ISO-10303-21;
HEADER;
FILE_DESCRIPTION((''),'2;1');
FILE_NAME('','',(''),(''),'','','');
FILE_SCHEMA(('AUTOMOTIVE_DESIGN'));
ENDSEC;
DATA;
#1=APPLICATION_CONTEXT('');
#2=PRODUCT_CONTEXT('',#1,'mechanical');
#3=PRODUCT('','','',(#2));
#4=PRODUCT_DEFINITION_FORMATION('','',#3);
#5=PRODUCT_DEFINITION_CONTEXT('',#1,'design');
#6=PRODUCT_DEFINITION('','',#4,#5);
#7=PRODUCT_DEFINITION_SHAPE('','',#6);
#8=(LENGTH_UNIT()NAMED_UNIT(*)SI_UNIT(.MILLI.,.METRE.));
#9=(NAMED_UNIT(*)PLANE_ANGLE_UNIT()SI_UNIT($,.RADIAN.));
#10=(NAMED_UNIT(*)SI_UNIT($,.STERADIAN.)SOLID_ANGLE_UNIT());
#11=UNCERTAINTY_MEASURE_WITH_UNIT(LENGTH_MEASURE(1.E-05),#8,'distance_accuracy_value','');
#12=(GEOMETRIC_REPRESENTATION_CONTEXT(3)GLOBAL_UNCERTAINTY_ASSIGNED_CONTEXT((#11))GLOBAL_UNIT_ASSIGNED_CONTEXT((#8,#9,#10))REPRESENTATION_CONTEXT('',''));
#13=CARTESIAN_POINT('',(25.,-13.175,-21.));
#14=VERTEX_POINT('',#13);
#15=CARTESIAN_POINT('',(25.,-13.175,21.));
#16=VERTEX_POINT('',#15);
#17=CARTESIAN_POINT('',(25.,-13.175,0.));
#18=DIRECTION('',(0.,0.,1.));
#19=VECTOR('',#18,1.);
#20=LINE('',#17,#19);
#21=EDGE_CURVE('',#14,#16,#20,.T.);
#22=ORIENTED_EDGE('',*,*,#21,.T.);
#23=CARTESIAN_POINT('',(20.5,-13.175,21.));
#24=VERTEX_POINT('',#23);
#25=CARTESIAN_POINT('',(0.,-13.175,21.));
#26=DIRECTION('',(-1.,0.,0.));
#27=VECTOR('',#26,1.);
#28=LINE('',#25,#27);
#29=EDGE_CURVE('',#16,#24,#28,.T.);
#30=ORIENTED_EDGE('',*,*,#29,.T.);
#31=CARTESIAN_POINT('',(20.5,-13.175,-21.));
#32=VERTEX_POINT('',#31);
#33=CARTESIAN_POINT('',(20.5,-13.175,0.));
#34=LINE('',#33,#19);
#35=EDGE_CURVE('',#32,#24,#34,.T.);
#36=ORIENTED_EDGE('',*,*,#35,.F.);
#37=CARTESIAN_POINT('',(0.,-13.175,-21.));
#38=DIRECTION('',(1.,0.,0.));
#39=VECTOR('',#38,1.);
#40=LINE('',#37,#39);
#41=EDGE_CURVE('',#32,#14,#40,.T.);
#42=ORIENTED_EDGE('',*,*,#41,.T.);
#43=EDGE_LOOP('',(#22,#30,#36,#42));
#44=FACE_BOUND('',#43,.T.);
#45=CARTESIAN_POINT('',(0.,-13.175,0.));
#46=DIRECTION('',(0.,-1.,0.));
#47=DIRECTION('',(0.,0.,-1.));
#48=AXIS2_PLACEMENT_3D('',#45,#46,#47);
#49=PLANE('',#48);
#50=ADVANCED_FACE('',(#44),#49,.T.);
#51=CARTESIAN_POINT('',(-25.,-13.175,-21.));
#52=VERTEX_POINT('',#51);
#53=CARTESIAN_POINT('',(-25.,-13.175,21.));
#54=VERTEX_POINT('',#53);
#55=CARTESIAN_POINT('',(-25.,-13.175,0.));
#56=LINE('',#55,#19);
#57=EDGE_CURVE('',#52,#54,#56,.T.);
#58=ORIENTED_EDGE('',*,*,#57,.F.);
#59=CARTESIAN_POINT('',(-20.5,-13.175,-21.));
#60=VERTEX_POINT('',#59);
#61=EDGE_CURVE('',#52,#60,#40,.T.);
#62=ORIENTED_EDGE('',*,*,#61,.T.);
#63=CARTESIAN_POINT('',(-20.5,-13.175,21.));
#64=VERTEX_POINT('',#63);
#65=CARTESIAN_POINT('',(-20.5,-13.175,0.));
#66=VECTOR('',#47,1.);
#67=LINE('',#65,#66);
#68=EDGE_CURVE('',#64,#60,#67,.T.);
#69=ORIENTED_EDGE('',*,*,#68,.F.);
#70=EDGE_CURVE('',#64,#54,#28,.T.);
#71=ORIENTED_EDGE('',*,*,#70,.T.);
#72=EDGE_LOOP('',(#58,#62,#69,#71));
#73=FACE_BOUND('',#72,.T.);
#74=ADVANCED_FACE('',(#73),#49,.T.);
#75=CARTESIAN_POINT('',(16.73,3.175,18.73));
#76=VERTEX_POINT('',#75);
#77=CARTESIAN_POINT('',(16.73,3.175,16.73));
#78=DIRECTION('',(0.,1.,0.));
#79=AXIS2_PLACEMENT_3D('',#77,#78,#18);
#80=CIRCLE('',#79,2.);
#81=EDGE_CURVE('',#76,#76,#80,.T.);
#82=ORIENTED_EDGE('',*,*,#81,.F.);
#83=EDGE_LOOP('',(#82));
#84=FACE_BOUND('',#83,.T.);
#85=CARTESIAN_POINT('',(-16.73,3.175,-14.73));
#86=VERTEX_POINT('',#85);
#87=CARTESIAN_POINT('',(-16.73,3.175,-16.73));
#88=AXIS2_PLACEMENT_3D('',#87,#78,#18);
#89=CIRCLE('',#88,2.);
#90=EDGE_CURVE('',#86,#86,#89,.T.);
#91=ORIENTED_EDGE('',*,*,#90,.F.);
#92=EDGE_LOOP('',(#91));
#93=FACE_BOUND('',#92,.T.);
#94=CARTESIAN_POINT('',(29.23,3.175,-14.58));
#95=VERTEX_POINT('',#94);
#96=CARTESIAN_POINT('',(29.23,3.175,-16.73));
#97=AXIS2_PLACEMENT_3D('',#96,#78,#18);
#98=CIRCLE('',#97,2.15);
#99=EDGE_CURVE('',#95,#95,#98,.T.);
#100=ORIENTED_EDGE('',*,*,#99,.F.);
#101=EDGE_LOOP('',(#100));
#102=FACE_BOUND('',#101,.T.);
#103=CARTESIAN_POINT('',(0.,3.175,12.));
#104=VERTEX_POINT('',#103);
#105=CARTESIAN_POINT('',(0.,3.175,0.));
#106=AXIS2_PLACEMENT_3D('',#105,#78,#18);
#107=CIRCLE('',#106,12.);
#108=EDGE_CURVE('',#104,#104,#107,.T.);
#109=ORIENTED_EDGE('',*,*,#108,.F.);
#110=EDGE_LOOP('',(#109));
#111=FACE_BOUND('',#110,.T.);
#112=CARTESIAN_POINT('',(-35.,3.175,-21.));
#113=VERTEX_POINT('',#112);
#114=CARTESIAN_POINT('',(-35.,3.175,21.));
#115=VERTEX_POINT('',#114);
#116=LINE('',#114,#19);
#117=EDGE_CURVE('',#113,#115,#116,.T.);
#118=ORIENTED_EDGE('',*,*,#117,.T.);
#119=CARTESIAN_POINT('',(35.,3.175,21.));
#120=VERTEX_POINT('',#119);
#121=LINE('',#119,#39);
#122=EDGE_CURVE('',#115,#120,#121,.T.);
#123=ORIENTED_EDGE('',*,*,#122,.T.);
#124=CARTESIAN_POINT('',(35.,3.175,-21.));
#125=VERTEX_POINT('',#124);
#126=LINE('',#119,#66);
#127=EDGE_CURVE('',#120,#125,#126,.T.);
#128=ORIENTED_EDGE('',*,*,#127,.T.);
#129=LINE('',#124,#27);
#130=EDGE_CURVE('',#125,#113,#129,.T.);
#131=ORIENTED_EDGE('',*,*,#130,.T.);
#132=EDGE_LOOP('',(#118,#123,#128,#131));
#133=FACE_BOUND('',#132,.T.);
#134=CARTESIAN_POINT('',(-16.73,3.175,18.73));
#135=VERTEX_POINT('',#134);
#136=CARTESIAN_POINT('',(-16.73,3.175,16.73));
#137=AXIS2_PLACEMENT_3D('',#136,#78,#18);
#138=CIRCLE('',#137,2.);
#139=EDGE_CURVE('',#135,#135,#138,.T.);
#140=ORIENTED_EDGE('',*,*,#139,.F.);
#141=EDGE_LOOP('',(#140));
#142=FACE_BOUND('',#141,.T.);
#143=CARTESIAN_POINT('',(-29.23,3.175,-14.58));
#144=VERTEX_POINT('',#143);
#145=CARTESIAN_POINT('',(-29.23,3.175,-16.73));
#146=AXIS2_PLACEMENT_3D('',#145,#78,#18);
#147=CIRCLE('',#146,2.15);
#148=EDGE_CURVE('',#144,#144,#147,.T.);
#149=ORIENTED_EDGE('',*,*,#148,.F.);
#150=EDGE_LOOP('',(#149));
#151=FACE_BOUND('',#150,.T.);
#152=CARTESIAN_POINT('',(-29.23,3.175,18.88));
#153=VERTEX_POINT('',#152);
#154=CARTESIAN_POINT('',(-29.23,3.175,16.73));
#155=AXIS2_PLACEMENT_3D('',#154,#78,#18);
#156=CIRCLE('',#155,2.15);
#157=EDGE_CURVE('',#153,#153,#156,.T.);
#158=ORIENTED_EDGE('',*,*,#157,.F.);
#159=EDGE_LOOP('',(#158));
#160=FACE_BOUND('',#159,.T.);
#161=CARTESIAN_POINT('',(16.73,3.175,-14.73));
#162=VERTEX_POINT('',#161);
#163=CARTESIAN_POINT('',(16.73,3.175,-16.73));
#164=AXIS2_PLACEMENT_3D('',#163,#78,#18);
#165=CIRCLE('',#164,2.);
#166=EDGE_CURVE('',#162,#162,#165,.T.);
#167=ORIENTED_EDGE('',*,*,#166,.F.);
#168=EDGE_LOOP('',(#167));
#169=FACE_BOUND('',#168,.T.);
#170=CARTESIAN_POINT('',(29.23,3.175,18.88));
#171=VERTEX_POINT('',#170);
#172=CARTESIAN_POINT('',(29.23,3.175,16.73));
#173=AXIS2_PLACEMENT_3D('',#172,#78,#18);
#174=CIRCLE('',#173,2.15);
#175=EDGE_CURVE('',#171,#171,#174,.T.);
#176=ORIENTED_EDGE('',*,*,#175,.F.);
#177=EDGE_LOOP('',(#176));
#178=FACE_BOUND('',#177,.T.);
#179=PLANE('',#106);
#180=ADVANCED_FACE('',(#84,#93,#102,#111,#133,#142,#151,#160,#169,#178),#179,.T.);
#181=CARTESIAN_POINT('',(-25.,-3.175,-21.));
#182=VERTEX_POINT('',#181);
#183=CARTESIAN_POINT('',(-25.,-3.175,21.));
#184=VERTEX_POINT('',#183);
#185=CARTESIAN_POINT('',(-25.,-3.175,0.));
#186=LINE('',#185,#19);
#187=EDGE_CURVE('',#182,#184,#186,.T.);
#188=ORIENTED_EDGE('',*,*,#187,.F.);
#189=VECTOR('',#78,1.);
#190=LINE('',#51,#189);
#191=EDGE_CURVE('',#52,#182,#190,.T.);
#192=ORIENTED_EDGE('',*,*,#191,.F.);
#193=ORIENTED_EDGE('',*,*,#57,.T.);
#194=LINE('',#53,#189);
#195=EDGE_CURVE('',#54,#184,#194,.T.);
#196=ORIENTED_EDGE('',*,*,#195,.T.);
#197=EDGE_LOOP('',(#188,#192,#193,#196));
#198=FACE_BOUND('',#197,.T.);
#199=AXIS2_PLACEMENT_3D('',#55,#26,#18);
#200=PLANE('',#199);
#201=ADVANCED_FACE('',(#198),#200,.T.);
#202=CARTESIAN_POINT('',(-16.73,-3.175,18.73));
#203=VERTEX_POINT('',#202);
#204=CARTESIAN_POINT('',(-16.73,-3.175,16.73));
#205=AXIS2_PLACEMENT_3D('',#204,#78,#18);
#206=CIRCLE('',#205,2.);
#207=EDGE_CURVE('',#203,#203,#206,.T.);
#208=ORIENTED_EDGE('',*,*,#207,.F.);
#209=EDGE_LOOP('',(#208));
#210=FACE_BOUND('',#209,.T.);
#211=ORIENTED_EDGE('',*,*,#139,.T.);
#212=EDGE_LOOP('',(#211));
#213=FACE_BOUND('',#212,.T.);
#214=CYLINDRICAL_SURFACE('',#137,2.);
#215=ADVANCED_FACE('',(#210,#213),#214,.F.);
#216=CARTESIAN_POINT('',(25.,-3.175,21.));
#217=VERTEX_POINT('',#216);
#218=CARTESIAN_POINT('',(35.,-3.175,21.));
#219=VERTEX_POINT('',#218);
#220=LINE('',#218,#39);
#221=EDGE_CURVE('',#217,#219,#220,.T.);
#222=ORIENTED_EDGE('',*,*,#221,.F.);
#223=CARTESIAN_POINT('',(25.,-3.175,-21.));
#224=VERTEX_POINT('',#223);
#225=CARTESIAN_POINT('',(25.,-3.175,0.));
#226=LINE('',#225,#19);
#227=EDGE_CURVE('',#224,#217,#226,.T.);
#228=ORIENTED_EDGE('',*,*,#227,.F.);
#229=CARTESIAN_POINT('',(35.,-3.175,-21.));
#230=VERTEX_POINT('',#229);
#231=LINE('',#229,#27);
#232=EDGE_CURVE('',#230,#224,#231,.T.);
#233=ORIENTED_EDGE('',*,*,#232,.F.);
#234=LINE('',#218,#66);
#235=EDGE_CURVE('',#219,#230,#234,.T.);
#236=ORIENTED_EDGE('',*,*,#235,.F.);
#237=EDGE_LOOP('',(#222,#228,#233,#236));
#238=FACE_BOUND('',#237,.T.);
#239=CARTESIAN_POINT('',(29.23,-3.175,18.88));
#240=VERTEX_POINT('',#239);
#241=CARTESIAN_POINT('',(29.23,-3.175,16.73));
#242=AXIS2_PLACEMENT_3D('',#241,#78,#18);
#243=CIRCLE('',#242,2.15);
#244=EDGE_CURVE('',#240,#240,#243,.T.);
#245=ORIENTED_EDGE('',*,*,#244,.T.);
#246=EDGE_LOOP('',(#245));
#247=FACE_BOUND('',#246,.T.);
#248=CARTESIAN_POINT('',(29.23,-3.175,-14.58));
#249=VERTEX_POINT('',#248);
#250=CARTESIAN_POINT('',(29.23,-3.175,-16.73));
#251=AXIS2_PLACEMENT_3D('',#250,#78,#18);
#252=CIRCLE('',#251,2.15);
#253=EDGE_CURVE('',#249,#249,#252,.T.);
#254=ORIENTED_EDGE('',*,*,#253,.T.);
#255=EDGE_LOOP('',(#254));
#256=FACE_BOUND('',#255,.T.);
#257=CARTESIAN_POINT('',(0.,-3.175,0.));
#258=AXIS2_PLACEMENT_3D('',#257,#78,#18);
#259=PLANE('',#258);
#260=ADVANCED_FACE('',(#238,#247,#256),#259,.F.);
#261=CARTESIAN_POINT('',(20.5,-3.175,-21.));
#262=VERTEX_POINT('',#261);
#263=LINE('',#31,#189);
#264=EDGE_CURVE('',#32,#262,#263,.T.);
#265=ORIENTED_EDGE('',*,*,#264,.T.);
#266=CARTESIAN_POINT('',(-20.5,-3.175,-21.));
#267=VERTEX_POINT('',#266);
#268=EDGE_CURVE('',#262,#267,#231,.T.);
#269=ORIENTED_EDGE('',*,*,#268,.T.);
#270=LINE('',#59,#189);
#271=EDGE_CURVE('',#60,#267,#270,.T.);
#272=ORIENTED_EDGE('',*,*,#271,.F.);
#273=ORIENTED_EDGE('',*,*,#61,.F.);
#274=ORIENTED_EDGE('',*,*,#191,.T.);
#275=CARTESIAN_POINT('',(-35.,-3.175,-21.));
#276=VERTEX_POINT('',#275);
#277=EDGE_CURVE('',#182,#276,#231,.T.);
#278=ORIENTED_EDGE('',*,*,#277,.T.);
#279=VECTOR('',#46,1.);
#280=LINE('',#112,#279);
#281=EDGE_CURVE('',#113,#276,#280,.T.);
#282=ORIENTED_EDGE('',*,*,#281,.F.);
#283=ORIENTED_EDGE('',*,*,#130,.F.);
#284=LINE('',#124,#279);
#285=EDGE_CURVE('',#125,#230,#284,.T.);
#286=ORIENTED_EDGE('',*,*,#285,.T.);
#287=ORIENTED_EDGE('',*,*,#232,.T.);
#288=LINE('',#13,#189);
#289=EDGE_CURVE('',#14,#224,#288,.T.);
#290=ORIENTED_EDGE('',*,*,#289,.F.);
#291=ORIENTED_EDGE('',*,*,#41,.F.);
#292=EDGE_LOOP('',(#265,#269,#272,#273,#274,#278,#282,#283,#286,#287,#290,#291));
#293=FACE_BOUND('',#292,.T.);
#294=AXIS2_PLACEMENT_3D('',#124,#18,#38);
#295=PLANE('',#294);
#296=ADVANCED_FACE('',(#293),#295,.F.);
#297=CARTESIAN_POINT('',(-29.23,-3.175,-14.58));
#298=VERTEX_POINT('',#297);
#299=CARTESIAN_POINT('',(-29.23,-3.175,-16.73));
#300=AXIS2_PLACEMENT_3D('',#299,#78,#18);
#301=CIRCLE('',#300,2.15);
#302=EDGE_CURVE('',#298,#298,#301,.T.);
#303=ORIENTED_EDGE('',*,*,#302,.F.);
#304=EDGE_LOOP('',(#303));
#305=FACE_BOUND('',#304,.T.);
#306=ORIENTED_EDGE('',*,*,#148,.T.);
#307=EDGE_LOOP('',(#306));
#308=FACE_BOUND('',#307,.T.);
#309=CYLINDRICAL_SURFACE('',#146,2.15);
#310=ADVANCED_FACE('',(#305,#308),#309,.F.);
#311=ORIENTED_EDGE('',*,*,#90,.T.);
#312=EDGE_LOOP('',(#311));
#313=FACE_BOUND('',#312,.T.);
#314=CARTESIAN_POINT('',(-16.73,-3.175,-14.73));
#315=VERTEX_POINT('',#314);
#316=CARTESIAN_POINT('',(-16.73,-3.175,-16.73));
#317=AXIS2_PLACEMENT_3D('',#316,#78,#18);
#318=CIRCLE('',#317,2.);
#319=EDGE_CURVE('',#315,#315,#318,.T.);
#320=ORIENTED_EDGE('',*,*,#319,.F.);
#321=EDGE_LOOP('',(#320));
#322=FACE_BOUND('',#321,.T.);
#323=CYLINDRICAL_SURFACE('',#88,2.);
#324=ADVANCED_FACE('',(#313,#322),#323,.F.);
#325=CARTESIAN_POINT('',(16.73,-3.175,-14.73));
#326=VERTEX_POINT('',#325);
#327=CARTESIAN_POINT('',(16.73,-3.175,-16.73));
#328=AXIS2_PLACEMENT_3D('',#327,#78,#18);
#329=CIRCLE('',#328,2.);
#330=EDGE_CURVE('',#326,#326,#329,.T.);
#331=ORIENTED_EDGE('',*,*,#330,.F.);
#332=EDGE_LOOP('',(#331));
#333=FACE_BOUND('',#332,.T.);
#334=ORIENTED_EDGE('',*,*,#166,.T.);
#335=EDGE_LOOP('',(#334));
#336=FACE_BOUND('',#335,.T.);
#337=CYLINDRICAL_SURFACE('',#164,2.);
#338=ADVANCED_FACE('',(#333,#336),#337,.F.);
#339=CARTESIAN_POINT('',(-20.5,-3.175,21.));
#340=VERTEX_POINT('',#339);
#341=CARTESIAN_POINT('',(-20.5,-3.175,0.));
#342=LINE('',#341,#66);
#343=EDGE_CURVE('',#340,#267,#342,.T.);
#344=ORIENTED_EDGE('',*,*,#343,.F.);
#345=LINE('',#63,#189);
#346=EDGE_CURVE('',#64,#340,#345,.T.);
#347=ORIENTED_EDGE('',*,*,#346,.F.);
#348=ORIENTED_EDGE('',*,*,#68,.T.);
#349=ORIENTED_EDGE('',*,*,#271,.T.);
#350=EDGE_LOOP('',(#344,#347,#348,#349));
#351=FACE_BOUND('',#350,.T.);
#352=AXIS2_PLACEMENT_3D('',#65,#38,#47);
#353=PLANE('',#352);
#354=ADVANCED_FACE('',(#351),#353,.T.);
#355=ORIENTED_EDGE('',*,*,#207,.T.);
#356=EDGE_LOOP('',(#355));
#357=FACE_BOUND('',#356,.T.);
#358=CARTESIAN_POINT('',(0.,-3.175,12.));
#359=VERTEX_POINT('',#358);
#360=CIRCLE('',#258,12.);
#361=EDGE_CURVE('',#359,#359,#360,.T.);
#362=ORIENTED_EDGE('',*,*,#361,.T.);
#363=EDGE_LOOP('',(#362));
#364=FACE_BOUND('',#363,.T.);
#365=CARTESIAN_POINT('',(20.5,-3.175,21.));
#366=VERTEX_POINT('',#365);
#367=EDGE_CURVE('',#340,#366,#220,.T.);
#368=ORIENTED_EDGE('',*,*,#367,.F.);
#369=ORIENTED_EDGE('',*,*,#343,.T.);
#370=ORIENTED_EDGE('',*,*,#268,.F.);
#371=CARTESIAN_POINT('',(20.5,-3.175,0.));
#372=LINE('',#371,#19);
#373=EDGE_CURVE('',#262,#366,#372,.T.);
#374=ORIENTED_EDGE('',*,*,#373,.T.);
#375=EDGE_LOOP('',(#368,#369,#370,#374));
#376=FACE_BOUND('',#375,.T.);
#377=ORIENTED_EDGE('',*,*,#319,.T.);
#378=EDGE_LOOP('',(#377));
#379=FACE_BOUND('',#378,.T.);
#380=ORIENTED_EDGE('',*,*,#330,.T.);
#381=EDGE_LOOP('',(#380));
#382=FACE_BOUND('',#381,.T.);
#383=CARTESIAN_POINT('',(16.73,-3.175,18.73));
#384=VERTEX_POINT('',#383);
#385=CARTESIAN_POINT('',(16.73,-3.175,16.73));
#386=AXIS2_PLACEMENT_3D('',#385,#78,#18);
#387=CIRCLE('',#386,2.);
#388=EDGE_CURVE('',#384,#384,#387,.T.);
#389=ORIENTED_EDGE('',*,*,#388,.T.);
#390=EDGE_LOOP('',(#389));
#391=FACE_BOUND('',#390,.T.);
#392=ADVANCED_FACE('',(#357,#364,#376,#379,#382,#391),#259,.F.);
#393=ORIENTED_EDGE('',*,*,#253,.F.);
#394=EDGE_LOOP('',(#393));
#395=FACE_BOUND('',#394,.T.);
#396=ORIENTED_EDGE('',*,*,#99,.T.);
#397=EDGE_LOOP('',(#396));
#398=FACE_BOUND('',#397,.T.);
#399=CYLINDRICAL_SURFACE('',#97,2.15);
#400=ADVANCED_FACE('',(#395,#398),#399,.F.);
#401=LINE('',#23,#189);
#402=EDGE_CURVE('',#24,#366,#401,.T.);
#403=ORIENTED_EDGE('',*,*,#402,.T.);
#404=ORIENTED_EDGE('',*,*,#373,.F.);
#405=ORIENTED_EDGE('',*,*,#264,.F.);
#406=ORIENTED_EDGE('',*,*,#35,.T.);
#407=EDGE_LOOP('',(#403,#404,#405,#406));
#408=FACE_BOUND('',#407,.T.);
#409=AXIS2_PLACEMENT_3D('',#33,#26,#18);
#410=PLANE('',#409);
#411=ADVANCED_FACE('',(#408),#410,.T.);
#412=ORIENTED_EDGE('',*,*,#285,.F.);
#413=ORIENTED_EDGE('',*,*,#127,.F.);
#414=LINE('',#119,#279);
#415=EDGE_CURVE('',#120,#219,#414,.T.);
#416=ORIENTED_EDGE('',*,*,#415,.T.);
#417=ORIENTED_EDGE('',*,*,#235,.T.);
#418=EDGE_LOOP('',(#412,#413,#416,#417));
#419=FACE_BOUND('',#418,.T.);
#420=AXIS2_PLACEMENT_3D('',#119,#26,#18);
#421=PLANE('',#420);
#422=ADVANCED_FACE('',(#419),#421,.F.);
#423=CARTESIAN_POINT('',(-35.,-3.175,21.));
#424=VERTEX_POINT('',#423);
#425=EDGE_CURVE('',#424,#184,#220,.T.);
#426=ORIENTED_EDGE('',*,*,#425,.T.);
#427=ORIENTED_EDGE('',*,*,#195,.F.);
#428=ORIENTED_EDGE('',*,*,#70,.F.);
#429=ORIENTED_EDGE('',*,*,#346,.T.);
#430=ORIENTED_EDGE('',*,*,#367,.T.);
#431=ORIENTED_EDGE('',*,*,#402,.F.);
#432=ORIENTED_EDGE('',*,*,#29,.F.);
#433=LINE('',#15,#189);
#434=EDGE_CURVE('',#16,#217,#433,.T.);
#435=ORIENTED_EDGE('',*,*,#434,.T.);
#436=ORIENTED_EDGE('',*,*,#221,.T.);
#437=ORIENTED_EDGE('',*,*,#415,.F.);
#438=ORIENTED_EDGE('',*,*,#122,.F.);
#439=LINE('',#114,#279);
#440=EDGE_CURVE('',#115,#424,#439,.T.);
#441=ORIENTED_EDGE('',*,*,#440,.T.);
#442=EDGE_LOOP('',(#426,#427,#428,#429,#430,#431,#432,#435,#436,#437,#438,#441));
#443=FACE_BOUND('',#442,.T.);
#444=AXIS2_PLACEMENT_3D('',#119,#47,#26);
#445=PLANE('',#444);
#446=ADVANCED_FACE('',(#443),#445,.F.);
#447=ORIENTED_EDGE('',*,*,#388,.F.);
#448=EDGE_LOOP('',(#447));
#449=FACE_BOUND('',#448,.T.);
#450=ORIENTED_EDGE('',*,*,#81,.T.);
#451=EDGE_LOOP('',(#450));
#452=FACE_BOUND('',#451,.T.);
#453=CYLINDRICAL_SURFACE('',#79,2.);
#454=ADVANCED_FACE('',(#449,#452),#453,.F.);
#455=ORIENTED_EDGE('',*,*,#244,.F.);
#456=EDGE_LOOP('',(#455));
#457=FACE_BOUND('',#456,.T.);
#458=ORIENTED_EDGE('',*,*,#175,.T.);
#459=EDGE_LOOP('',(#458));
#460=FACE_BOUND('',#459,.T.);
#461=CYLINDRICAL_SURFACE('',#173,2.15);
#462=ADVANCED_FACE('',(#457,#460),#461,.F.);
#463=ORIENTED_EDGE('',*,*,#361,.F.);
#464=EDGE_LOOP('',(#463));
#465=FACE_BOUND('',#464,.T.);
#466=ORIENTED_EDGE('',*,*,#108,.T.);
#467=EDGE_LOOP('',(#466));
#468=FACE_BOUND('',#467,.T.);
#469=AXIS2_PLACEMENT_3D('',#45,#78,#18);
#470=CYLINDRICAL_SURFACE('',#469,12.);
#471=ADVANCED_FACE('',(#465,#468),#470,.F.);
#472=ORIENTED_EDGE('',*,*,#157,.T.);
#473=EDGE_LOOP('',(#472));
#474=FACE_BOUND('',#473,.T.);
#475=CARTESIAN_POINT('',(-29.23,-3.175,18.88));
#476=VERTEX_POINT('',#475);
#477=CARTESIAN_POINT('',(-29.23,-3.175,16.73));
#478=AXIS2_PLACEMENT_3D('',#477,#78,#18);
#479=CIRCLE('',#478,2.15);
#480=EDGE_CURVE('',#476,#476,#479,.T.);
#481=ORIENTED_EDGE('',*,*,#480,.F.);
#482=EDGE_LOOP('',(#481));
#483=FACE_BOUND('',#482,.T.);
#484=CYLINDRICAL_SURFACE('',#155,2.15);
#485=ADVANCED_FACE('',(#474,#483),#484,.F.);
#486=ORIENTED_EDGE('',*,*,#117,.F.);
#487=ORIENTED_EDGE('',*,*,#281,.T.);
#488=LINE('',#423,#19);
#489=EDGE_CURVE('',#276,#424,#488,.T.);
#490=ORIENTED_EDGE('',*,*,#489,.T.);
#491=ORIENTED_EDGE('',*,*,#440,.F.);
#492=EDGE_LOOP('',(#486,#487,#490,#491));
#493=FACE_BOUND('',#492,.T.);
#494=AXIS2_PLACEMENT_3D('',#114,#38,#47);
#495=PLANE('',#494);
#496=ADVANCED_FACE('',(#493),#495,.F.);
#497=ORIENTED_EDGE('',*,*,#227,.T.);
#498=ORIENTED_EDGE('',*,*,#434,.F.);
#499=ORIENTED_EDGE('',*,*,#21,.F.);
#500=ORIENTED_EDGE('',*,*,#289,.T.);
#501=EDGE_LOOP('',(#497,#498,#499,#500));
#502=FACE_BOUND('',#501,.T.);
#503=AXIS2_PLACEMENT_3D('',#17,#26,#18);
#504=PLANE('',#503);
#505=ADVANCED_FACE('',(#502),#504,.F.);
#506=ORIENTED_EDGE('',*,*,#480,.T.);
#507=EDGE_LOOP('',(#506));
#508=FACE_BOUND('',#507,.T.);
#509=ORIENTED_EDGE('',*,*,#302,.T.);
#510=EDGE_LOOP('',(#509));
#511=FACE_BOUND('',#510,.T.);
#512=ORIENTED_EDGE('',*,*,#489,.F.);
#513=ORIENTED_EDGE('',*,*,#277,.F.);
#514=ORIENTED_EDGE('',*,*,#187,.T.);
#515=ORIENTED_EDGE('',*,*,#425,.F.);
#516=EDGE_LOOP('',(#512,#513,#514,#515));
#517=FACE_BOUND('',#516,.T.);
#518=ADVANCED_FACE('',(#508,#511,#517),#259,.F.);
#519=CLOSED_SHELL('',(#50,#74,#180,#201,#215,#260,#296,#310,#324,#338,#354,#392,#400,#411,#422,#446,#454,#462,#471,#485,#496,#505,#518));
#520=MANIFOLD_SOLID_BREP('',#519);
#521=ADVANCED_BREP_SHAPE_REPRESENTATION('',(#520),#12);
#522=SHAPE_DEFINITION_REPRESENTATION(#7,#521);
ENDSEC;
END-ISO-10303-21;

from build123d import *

# Parameters (mm, degrees)
SKETCH1_W             = 70
SKETCH1_H             = 42
BOSS_EXTRUDE1_DEPTH   = 3.175
SKETCH3_W             = 4.5
SKETCH3_H             = 42
BOSS_EXTRUDE2_DEPTH   = 10
F_1_0MM_DOWEL_HOLE1_D = 4
F_1_0MM_DOWEL_HOLE2_D = 4.3
SKETCH4_R             = 12
CUT_EXTRUDE1_DEPTH    = 44.969563336


with BuildPart() as part:
    # Sketch1 → Boss-Extrude1 (new, symmetric)
    with BuildSketch(Plane(origin=(0, 0, 0), x_dir=(1, 0, 0), z_dir=(0, 1, 0))):
        Rectangle(SKETCH1_W, SKETCH1_H)
    extrude(amount=BOSS_EXTRUDE1_DEPTH, both=True)

    # Sketch3 → Boss-Extrude2 (add)
    with BuildSketch(Plane.XZ.offset(3.175)):
        with Locations((-22.75, 0)):
            Rectangle(SKETCH3_W, SKETCH3_H)
        with Locations((22.75, 0)):
            Rectangle(SKETCH3_W, SKETCH3_H)
    extrude(amount=BOSS_EXTRUDE2_DEPTH)

    # Ø1.0mm Dowel Hole1 (through all)
    with Locations(Plane(origin=(0, 3.175, 0), x_dir=(1, 0, 0), z_dir=(0, 1, 0))):
        with Locations((-16.73, 16.73), (16.73, 16.73), (16.73, -16.73), (-16.73, -16.73)):
            Hole(F_1_0MM_DOWEL_HOLE1_D / 2)

    # Ø1.0mm Dowel Hole2 (through all)
    with Locations(Plane(origin=(0, 3.175, 0), x_dir=(1, 0, 0), z_dir=(0, 1, 0))):
        with Locations((-29.23, 16.73), (-29.23, -16.73)):
            f_1_0mm_dowel_hole2 = Hole(F_1_0MM_DOWEL_HOLE2_D / 2)

    # Mirror1: Ø1.0mm Dowel Hole2 across plane
    add(f_1_0mm_dowel_hole2.mirror(Plane(origin=(0, 0, 0), x_dir=(0, 0, 1), z_dir=(1, 0, 0))), mode=Mode.SUBTRACT)

    # Sketch4 → Cut-Extrude1 (cut, through all)
    with BuildSketch(Plane(origin=(0, 3.175, 0), x_dir=(1, 0, 0), z_dir=(0, 1, 0))):
        with Locations(Location((0, 0, 0), (0, 0, 270))):
            Circle(SKETCH4_R)
    extrude(amount=-CUT_EXTRUDE1_DEPTH, mode=Mode.SUBTRACT)


solid = part.part
